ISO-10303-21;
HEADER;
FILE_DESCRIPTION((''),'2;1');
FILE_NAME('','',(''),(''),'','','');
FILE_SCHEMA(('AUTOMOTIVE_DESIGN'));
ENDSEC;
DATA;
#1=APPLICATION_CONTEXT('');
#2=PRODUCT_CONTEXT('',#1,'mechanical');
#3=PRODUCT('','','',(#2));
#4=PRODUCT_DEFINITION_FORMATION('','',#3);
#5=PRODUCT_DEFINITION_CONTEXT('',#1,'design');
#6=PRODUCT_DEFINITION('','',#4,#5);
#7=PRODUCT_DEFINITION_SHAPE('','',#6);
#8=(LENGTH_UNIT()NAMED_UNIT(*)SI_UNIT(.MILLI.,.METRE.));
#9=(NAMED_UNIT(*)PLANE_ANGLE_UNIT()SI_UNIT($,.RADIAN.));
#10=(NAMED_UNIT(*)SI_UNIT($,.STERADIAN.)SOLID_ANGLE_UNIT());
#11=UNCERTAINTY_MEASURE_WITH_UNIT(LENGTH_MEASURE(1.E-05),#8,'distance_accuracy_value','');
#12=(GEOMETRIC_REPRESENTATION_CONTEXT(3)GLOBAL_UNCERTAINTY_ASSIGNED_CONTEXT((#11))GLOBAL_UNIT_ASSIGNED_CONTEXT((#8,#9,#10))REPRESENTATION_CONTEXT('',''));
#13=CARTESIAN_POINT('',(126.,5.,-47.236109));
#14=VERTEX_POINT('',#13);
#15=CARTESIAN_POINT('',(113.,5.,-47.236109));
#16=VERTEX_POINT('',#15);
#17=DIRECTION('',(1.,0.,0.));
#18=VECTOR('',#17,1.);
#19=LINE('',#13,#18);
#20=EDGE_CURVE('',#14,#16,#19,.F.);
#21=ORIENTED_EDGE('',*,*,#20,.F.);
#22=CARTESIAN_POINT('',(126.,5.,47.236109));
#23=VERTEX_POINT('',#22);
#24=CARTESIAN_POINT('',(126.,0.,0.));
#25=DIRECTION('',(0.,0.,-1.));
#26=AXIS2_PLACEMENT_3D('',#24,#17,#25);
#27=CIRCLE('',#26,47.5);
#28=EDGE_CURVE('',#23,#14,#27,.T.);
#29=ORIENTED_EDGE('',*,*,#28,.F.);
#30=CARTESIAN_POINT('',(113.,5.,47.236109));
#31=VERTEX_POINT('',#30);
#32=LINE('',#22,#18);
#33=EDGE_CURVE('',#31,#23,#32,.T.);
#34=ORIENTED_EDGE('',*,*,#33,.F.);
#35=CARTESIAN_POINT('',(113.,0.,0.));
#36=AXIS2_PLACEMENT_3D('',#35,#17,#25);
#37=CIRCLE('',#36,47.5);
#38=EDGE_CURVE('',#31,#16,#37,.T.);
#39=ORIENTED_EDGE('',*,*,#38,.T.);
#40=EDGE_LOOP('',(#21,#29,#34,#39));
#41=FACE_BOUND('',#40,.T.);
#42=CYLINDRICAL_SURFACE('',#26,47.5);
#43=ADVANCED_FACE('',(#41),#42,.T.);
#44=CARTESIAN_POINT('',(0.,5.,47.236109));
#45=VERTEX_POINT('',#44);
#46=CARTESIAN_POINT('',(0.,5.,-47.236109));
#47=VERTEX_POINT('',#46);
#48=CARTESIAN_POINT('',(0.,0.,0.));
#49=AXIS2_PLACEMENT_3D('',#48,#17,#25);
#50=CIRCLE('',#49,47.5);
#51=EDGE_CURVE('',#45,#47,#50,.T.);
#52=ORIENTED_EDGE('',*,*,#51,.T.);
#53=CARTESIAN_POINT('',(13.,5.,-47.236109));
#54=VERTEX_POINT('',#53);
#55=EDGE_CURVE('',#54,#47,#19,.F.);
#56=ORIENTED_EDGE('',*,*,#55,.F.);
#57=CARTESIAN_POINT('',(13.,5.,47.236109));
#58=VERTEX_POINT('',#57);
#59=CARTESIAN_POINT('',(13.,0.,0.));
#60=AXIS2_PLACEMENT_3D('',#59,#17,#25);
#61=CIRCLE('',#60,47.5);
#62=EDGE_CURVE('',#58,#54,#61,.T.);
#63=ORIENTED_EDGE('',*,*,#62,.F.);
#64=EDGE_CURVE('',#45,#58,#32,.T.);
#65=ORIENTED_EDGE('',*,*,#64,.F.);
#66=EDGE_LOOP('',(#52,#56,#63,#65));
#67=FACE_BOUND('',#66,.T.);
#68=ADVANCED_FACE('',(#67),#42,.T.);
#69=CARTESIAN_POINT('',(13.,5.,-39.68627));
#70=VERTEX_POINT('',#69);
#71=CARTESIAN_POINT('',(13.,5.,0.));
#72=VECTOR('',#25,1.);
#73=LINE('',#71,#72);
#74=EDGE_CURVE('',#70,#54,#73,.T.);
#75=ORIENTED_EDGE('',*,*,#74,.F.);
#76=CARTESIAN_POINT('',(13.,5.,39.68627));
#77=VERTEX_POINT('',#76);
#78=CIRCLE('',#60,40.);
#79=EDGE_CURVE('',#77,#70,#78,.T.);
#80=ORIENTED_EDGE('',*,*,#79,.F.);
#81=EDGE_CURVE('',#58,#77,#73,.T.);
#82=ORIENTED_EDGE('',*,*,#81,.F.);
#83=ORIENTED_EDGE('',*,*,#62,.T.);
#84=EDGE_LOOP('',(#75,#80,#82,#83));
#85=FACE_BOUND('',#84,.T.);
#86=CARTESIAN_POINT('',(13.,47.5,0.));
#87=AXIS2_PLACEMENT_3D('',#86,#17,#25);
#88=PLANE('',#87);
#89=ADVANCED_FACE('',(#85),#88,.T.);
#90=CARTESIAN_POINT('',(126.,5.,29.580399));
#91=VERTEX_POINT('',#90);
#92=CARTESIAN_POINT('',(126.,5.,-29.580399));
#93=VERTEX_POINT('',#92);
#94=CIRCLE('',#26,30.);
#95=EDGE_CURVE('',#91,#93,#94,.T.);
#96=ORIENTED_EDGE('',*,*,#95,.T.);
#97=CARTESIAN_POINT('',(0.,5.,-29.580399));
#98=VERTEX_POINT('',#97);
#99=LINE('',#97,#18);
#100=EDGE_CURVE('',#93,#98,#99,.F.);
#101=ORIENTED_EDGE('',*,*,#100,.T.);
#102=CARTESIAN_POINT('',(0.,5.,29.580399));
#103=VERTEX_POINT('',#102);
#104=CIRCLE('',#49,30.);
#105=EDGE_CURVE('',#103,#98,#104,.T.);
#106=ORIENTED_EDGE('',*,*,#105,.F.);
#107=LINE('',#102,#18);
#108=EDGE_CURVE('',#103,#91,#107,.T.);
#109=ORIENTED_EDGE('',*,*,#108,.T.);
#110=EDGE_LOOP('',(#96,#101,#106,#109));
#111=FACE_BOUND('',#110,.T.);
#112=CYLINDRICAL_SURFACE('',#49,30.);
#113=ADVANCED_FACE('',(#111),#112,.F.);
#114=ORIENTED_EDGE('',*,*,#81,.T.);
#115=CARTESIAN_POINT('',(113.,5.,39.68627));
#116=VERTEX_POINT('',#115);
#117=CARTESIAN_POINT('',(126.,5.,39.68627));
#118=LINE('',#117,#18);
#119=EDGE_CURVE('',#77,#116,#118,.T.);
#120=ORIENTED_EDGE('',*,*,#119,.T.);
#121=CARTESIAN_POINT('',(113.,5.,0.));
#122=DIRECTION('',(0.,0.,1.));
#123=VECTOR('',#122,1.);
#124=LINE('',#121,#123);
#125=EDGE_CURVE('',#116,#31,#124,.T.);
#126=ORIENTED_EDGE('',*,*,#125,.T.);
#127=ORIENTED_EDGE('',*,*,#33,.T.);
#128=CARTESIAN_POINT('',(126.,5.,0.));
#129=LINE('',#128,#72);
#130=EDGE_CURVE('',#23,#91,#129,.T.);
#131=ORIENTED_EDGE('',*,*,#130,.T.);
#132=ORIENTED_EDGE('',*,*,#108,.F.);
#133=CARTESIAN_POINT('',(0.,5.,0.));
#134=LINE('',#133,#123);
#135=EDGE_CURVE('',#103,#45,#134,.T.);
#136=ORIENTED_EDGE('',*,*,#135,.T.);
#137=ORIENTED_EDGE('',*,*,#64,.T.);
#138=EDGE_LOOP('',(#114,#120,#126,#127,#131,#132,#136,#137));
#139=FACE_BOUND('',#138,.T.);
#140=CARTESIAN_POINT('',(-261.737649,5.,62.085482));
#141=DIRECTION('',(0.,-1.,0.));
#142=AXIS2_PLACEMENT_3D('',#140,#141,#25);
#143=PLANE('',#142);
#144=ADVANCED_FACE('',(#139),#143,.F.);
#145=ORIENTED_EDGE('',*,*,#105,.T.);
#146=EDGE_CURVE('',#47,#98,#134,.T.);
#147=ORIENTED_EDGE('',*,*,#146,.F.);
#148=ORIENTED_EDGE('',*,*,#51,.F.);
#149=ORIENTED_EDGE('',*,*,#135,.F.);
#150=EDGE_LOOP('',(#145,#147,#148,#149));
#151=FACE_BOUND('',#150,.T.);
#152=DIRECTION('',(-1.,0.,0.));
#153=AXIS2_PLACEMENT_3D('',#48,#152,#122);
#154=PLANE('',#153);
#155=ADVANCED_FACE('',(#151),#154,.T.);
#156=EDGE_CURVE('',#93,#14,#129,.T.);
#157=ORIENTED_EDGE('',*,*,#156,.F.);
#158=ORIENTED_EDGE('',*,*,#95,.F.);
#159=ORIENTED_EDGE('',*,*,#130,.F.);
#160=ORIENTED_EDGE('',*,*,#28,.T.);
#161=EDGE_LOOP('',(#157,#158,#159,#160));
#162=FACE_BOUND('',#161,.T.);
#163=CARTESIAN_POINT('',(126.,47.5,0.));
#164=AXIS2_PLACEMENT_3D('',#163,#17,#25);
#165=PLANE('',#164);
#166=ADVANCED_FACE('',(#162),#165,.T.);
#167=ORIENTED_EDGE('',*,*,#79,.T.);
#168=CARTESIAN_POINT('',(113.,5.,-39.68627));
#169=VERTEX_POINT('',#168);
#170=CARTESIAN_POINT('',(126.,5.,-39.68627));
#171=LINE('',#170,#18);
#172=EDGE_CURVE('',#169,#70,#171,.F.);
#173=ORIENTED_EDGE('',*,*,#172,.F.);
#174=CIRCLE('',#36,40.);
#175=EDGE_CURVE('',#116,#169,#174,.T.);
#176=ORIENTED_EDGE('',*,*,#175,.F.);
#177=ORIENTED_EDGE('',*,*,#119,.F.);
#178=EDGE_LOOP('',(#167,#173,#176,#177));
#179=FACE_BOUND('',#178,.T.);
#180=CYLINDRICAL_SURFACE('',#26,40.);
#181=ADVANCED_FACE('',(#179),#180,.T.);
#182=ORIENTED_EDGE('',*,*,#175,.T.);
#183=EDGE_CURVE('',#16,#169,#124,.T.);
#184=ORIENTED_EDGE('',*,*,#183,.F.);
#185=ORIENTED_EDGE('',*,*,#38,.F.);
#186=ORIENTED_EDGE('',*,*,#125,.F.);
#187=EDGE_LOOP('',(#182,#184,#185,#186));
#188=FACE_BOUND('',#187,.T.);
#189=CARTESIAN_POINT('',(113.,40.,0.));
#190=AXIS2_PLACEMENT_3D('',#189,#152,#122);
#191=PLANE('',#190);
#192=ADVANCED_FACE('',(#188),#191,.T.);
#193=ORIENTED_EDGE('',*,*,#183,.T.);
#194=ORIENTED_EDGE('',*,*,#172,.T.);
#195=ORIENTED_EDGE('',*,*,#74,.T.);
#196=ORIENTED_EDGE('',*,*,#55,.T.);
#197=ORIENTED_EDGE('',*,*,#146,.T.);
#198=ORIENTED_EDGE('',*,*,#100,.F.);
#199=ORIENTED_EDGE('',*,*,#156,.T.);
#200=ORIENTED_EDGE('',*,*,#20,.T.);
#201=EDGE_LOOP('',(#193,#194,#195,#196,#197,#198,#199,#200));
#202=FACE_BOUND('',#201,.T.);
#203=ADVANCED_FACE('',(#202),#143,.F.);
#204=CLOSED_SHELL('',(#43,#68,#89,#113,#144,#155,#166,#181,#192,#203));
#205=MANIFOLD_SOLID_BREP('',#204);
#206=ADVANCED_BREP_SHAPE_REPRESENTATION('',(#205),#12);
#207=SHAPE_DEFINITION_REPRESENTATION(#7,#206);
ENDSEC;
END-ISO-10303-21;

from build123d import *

# Parameters (mm, degrees)
SKETCH2_R                   = 30
CUT_EXTRUDE1_DEPTH          = 143.788304843
BOSS_EXTRUDE1_REACH         = 164.242
BOSS_EXTRUDE1_END_RADIUS    = 40
SKETCH3_R                   = 8
M10X1_0_TAPPED_HOLE1_REACH  = 164.242
M10X1_0_TAPPED_HOLE1_BORE_R = 4.5
CUT_EXTRUDE2_DEPTH          = 143.788304931
CUT_EXTRUDE2_DEPTH_BACK     = 143.788304931


with BuildPart() as part:
    # Sketch1 → Revolve1 (revolve)
    with BuildSketch(Plane.XY, mode=Mode.PRIVATE) as revolve1_sk:
        Polygon((0, 0), (0, 47.5), (13, 47.5), (13, 40), (113, 40), (113, 47.5), (126, 47.5), (126, 0), align=None)
    revolve(revolve1_sk.sketch.rotate(Axis((126, 0, 0), (-1, 0, 0)), 90), axis=Axis((126, 0, 0), (-1, 0, 0)))

    # Sketch2 → Cut-Extrude1 (cut, through all)
    with BuildSketch(Plane(origin=(126, 0, 0), x_dir=(0, 0, -1), z_dir=(1, 0, 0))):
        Circle(SKETCH2_R)
    extrude(amount=-CUT_EXTRUDE1_DEPTH, mode=Mode.SUBTRACT)

    # Boss-Extrude1: up to this cylinder (the profile starts outside it)
    boss_extrude1_end = Plane(origin=(63, 0, 0), z_dir=(1, 0, 0)) * Cylinder(BOSS_EXTRUDE1_END_RADIUS, 409.484, mode=Mode.PRIVATE)
    # Sketch3 → Boss-Extrude1 (add, up to the surface)
    with BuildSketch(Plane(origin=(0, 43, 0), x_dir=(1, 0, 0), z_dir=(0, 1, 0)), mode=Mode.PRIVATE) as boss_extrude1_sk1:
        with Locations(Location((63, 0, 0), (0, 0, 270))):
            Circle(SKETCH3_R)
    boss_extrude1_tool1 = extrude(boss_extrude1_sk1.sketch, amount=-BOSS_EXTRUDE1_REACH, mode=Mode.PRIVATE) - boss_extrude1_end
    add(boss_extrude1_tool1.solids().sort_by_distance((63, 43, 0))[0])

    # M10x1.0 Tapped Hole1 bore → M10x1.0 Tapped Hole1 (cut, up to next)
    with BuildSketch(Plane(origin=(0, 43, 0), x_dir=(1, 0, 0), z_dir=(0, 1, 0)), mode=Mode.PRIVATE) as m10x1_0_tapped_hole1_sk1:
        with Locations((63, 0)):
            Circle(M10X1_0_TAPPED_HOLE1_BORE_R)
    m10x1_0_tapped_hole1_tool1 = extrude(m10x1_0_tapped_hole1_sk1.sketch, amount=-M10X1_0_TAPPED_HOLE1_REACH, mode=Mode.PRIVATE) & part.part
    add(m10x1_0_tapped_hole1_tool1.solids().sort_by_distance((63, 43, 0))[0], mode=Mode.SUBTRACT)

    # Sketch6 → Cut-Extrude2 (cut, two sides: drawn at the far end of the back side and taken through both)
    with BuildSketch(Plane(origin=(126, 0, 0), x_dir=(0, 0, -1), z_dir=(1, 0, 0)).offset(-CUT_EXTRUDE2_DEPTH_BACK)):
        Polygon((-315.109988933, 5), (-62.08548164, 5), (59.692601542, 5), (312.717108835, 5), (312.717108835, 511.049014586), (-315.109988933, 511.049014586), align=None)
    extrude(amount=CUT_EXTRUDE2_DEPTH + CUT_EXTRUDE2_DEPTH_BACK, mode=Mode.SUBTRACT)


solid = part.part
